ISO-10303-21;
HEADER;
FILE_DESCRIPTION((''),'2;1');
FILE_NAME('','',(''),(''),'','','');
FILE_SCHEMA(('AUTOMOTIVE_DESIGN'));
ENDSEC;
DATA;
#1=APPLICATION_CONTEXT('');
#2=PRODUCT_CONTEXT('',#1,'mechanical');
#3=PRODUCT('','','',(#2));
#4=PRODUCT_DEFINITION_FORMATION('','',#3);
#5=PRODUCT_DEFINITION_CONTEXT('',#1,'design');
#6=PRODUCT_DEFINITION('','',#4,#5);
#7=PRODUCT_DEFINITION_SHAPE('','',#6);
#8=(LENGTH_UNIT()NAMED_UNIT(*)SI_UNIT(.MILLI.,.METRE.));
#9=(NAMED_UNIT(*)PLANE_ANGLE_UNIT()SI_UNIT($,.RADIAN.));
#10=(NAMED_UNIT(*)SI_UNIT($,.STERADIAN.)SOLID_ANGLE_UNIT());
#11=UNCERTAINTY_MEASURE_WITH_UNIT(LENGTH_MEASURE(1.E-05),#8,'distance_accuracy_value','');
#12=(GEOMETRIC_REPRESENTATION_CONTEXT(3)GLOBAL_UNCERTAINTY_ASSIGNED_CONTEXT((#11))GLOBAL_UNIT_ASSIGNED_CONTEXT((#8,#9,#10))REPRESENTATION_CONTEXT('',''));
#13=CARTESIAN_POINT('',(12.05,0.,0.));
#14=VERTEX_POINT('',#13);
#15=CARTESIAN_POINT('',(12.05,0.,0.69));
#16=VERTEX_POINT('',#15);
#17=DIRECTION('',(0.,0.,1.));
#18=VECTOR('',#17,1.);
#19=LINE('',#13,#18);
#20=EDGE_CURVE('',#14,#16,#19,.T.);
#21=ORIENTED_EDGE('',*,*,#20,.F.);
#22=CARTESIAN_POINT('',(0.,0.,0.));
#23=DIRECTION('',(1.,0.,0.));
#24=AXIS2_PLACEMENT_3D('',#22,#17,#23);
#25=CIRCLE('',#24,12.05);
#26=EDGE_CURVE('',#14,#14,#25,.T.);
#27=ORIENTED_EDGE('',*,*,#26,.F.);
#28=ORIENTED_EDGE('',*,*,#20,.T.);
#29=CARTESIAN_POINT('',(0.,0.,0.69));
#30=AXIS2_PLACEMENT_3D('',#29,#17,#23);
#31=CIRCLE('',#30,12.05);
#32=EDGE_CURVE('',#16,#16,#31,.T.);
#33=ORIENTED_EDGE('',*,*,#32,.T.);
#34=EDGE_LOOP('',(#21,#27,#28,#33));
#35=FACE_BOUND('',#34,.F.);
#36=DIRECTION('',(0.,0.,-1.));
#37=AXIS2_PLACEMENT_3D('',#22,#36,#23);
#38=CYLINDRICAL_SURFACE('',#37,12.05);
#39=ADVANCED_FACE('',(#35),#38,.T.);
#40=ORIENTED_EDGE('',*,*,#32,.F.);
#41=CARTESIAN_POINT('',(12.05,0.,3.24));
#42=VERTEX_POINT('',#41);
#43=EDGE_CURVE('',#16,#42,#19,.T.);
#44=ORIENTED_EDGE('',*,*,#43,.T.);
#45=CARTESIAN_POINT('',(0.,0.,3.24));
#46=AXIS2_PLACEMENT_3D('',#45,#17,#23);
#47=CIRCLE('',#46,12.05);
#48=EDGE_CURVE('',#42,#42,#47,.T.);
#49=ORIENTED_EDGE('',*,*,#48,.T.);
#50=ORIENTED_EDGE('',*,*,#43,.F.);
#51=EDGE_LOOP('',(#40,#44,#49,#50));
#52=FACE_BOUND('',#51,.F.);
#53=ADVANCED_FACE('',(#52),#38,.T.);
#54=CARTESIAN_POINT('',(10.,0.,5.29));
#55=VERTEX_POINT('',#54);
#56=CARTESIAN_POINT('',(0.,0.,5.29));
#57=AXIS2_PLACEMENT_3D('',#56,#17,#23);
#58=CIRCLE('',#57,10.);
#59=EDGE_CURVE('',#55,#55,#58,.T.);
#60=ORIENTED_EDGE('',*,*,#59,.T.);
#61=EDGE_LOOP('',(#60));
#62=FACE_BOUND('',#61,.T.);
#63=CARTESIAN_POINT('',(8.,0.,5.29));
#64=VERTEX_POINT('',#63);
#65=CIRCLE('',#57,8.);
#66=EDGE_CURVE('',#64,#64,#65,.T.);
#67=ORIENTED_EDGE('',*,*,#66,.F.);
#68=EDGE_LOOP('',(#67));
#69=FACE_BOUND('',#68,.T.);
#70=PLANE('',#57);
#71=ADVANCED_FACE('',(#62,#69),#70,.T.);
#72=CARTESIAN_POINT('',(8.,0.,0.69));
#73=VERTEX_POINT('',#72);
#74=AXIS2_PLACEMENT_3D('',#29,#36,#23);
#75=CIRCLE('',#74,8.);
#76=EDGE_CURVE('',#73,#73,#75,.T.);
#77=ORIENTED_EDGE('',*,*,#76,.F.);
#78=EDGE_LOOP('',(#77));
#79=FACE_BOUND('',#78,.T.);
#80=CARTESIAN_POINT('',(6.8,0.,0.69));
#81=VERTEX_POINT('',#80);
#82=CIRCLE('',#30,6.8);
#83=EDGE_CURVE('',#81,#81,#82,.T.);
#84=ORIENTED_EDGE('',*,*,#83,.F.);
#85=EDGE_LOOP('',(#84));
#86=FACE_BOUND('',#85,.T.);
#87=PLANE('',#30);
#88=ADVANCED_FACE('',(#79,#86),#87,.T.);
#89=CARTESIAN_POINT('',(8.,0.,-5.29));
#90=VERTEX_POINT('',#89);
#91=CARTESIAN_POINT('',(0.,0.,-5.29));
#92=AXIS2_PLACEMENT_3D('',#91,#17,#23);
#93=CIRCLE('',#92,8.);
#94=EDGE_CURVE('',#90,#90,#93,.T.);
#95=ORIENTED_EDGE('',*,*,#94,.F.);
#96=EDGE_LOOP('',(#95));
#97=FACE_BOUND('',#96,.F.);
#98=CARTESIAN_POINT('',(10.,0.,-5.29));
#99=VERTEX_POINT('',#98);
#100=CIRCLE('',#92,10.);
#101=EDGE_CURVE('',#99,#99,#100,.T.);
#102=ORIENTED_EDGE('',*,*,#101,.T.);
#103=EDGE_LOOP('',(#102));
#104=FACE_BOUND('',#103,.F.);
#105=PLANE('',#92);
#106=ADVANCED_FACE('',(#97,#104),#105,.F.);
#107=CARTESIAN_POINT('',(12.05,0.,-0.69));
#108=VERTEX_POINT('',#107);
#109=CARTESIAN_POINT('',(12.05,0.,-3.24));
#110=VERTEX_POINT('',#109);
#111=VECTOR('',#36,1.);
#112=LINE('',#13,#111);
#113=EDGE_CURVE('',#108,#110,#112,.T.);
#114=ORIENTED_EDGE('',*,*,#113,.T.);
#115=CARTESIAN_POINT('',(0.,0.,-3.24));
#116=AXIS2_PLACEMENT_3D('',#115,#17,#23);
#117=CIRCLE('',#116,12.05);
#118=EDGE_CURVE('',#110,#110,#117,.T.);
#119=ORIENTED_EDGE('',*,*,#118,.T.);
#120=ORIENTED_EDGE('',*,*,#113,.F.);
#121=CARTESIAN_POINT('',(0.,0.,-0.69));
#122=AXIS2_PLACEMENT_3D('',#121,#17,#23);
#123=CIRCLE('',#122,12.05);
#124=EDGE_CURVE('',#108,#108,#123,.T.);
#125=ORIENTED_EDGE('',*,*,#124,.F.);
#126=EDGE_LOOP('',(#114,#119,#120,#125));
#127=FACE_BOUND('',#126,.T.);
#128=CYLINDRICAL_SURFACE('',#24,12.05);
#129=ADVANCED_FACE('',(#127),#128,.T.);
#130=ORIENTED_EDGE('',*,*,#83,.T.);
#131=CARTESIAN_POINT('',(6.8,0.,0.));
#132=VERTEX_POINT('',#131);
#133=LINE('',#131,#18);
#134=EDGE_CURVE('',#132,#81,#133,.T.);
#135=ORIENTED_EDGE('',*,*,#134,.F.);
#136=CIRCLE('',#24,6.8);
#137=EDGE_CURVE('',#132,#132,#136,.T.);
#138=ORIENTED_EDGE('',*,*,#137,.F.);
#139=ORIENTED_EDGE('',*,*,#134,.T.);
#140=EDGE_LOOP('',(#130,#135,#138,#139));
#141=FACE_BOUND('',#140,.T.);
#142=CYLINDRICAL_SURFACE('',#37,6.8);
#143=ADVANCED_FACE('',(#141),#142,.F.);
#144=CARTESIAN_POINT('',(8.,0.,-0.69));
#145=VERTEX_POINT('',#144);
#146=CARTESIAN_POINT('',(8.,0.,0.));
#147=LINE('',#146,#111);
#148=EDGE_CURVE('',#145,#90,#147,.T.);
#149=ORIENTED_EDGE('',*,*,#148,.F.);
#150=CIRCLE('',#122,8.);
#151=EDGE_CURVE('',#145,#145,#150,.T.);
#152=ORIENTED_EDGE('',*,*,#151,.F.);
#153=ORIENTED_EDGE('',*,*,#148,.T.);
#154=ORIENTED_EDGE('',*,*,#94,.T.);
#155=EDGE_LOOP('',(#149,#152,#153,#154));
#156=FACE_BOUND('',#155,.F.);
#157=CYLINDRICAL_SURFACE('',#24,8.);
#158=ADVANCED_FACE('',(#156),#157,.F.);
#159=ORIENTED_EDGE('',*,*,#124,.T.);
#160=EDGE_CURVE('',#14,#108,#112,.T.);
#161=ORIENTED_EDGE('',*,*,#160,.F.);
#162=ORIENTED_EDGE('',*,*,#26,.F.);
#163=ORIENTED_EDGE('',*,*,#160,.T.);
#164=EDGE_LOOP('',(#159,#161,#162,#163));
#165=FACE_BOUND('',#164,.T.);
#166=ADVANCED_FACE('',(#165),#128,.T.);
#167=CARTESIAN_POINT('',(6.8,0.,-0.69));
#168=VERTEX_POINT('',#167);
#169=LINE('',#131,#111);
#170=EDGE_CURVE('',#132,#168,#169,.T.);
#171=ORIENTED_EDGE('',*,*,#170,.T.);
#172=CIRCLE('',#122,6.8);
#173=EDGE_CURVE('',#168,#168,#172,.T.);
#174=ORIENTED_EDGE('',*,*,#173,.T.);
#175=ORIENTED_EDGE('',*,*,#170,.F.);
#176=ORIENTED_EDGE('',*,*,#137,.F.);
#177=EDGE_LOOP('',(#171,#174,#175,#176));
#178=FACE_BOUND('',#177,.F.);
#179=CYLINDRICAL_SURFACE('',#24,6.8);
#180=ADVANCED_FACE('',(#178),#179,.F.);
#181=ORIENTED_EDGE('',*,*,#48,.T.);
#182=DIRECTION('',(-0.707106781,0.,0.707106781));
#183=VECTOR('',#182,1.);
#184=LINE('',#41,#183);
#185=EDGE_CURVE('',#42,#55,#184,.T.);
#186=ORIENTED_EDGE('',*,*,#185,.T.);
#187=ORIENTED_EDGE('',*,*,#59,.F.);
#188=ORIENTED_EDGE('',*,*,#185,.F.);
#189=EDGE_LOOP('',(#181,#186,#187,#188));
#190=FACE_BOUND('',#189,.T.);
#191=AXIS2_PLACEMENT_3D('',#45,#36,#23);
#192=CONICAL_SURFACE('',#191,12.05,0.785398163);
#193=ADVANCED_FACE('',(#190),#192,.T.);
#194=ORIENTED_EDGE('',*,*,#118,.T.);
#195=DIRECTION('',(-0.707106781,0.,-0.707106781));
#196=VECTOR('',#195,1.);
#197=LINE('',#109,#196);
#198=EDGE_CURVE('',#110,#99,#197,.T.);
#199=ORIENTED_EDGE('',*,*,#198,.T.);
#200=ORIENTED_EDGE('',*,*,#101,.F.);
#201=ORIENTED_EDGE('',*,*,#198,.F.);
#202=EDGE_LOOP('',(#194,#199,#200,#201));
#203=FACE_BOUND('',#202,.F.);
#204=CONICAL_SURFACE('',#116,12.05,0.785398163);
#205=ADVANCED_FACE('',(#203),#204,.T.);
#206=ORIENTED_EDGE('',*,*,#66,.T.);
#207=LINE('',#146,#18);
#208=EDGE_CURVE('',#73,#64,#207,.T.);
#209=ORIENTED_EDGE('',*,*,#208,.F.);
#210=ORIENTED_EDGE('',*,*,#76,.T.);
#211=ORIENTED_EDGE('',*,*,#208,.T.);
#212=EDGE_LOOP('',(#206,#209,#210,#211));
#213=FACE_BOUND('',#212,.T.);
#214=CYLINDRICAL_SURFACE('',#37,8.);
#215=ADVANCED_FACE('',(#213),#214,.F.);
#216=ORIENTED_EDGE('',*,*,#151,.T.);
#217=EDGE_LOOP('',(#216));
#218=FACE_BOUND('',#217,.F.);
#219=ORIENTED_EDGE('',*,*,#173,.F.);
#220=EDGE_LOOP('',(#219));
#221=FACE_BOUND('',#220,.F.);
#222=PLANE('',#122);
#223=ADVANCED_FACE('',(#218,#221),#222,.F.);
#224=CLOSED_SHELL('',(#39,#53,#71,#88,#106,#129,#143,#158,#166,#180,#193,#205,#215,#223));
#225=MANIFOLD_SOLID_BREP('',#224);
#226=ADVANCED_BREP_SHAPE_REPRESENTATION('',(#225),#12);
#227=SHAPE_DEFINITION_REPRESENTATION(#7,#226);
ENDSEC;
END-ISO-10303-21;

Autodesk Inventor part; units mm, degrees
ref_plane "YZ Plane" through (0, 0, 0) normal (1, 0, 0) x (0, 1, 0)
ref_plane "XZ Plane" through (0, 0, 0) normal (0, 1, 0) x (-1, 0, 0)
ref_plane "XY Plane" through (0, 0, 0) normal (0, 0, 1) x (1, 0, 0)
sketch "Sketch1" plane through (0, 0, 0) normal (0, 0, 1) x (1, 0, 0)
  circle A0 centre (0, 0) radius 6.8
  circle A1 centre (0, 0) radius 12.05
  dimension "d10" = 13.6
  dimension "d11" = 24.1
extrude "Extrusion3" add sketch "Sketch1" along normal mid plane 1.38
sketch "Sketch2" plane through (0, 0, 0) normal (0, 0, 1) x (1, 0, 0)
  circle A0 centre (0, 0) radius 12.05
  circle A1 centre (0, 0) radius 8
  dimension "d14" = 24.1
  dimension "d15" = 16
extrude "Extrusion4" add sketch "Sketch2" along normal mid plane 10.58
chamfer "Chamfer2" distance 2.05 angle 45 2 edges at (-12.05, 0, 5.29) (-12.05, 0, -5.29)
properties part number "Rollers" material "Acetal Resin, Black"
